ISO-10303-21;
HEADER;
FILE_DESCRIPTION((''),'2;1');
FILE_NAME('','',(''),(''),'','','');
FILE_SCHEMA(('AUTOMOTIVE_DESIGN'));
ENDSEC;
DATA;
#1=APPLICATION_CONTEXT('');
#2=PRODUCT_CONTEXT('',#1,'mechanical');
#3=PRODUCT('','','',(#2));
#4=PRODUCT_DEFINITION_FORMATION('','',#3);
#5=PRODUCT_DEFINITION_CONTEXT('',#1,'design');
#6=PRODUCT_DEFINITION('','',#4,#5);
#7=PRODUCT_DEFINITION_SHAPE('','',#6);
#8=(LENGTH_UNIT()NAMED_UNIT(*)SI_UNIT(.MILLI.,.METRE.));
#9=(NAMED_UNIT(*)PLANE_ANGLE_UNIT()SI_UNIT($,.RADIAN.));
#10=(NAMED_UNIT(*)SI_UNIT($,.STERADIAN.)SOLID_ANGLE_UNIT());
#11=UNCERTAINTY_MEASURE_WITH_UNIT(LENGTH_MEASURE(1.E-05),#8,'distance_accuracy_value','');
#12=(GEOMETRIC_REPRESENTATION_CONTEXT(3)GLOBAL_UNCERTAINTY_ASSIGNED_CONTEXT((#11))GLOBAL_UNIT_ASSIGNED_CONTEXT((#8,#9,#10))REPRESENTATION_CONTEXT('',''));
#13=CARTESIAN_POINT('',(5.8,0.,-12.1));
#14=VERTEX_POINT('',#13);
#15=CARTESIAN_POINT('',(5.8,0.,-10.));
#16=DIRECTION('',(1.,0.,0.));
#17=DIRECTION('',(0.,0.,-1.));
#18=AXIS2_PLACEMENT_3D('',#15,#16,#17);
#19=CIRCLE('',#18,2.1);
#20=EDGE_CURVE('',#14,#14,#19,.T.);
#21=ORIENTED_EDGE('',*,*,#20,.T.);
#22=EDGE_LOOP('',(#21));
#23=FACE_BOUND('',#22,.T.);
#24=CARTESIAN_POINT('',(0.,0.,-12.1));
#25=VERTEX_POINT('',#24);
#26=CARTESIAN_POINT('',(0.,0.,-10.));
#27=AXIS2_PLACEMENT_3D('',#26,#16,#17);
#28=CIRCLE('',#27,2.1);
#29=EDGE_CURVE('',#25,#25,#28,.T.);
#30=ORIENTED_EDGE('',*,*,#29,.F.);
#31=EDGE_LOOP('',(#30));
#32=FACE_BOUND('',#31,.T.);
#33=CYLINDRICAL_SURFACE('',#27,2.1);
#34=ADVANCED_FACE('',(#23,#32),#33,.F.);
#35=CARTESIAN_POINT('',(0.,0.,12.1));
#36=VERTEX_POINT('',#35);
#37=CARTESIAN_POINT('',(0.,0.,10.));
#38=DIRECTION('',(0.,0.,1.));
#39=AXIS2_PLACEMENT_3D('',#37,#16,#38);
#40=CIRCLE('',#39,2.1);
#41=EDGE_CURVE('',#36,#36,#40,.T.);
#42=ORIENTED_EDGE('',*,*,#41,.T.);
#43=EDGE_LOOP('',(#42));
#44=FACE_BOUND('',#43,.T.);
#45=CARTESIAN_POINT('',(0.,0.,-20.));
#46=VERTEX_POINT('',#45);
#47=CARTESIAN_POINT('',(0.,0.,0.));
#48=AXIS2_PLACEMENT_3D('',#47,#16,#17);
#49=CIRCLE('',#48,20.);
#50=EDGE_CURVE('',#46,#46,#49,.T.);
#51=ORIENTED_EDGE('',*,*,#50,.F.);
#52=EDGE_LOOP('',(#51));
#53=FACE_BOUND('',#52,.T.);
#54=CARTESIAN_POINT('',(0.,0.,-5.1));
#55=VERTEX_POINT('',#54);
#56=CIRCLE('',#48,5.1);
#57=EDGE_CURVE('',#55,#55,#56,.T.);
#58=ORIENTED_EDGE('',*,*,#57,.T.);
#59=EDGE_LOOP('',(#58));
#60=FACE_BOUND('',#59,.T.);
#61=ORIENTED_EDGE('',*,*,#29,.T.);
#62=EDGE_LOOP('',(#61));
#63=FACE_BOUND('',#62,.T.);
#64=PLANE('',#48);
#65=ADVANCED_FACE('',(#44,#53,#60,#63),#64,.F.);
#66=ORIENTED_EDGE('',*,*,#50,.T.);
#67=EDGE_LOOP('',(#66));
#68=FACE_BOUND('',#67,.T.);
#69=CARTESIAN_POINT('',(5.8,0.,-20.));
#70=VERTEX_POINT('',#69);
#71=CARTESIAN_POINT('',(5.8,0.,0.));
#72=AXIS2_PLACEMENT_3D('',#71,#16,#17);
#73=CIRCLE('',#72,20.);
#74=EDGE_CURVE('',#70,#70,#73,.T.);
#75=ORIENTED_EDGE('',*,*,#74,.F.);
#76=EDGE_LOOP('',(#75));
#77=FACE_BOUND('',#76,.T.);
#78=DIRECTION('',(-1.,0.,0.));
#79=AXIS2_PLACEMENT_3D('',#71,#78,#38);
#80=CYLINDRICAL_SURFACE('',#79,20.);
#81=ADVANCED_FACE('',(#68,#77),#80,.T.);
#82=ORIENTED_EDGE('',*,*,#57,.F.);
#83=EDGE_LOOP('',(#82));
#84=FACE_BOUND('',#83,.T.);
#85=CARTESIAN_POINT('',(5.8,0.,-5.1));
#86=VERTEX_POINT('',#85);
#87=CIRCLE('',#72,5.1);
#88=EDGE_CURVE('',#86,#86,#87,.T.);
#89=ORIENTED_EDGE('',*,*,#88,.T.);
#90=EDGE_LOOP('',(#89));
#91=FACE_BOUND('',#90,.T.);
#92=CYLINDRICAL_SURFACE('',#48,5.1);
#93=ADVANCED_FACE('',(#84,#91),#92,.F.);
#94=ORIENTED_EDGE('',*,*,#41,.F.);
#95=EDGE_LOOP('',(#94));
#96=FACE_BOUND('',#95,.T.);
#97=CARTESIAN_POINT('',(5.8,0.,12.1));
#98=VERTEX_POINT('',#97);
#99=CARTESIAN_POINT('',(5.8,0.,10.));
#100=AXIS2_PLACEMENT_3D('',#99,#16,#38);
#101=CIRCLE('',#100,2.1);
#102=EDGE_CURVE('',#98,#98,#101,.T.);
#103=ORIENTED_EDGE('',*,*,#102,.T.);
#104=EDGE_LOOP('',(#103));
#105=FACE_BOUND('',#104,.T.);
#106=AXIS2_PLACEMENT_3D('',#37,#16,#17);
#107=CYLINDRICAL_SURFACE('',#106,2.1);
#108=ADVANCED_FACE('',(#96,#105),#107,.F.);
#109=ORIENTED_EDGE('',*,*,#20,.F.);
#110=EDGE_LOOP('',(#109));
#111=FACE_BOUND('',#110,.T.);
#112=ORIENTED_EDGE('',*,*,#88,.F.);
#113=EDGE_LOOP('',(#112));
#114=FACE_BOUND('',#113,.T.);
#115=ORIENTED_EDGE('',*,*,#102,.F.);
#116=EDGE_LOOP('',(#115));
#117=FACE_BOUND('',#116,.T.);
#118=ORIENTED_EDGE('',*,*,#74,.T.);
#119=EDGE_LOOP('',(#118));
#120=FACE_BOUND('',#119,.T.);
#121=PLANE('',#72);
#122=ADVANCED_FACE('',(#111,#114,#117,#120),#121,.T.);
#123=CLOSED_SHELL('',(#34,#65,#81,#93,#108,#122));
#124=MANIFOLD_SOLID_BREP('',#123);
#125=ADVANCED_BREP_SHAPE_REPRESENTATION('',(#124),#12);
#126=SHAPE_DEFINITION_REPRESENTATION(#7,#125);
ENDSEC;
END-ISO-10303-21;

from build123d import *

# Parameters (mm, degrees)
SKETCH_1_R          = 20
EXTRUDE_1_DEPTH     = 5.8
SKETCH_2_R          = 2.1
SKETCH_2_R_2        = 5.1
CUT_EXTRUDE_1_DEPTH = 29.872824593


with BuildPart() as part:
    # ｽｹｯﾁ1 → ﾎﾞｽ - 押し出し1 (new body)
    with BuildSketch(Plane(origin=(0, 0, 0), x_dir=(0, 0, -1), z_dir=(1, 0, 0))):
        Circle(SKETCH_1_R)
    extrude(amount=EXTRUDE_1_DEPTH)

    # ｽｹｯﾁ2 → ｶｯﾄ - 押し出し1 (cut, through all)
    with BuildSketch(Plane(origin=(5.8, 0, 0), x_dir=(0, 0, -1), z_dir=(1, 0, 0))):
        with Locations((10, 0)):
            Circle(SKETCH_2_R)
        with Locations(Location((-10, 0, 0), (0, 0, 180))):
            Circle(SKETCH_2_R)
        Circle(SKETCH_2_R_2)
    extrude(amount=-CUT_EXTRUDE_1_DEPTH, mode=Mode.SUBTRACT)


solid = part.part
